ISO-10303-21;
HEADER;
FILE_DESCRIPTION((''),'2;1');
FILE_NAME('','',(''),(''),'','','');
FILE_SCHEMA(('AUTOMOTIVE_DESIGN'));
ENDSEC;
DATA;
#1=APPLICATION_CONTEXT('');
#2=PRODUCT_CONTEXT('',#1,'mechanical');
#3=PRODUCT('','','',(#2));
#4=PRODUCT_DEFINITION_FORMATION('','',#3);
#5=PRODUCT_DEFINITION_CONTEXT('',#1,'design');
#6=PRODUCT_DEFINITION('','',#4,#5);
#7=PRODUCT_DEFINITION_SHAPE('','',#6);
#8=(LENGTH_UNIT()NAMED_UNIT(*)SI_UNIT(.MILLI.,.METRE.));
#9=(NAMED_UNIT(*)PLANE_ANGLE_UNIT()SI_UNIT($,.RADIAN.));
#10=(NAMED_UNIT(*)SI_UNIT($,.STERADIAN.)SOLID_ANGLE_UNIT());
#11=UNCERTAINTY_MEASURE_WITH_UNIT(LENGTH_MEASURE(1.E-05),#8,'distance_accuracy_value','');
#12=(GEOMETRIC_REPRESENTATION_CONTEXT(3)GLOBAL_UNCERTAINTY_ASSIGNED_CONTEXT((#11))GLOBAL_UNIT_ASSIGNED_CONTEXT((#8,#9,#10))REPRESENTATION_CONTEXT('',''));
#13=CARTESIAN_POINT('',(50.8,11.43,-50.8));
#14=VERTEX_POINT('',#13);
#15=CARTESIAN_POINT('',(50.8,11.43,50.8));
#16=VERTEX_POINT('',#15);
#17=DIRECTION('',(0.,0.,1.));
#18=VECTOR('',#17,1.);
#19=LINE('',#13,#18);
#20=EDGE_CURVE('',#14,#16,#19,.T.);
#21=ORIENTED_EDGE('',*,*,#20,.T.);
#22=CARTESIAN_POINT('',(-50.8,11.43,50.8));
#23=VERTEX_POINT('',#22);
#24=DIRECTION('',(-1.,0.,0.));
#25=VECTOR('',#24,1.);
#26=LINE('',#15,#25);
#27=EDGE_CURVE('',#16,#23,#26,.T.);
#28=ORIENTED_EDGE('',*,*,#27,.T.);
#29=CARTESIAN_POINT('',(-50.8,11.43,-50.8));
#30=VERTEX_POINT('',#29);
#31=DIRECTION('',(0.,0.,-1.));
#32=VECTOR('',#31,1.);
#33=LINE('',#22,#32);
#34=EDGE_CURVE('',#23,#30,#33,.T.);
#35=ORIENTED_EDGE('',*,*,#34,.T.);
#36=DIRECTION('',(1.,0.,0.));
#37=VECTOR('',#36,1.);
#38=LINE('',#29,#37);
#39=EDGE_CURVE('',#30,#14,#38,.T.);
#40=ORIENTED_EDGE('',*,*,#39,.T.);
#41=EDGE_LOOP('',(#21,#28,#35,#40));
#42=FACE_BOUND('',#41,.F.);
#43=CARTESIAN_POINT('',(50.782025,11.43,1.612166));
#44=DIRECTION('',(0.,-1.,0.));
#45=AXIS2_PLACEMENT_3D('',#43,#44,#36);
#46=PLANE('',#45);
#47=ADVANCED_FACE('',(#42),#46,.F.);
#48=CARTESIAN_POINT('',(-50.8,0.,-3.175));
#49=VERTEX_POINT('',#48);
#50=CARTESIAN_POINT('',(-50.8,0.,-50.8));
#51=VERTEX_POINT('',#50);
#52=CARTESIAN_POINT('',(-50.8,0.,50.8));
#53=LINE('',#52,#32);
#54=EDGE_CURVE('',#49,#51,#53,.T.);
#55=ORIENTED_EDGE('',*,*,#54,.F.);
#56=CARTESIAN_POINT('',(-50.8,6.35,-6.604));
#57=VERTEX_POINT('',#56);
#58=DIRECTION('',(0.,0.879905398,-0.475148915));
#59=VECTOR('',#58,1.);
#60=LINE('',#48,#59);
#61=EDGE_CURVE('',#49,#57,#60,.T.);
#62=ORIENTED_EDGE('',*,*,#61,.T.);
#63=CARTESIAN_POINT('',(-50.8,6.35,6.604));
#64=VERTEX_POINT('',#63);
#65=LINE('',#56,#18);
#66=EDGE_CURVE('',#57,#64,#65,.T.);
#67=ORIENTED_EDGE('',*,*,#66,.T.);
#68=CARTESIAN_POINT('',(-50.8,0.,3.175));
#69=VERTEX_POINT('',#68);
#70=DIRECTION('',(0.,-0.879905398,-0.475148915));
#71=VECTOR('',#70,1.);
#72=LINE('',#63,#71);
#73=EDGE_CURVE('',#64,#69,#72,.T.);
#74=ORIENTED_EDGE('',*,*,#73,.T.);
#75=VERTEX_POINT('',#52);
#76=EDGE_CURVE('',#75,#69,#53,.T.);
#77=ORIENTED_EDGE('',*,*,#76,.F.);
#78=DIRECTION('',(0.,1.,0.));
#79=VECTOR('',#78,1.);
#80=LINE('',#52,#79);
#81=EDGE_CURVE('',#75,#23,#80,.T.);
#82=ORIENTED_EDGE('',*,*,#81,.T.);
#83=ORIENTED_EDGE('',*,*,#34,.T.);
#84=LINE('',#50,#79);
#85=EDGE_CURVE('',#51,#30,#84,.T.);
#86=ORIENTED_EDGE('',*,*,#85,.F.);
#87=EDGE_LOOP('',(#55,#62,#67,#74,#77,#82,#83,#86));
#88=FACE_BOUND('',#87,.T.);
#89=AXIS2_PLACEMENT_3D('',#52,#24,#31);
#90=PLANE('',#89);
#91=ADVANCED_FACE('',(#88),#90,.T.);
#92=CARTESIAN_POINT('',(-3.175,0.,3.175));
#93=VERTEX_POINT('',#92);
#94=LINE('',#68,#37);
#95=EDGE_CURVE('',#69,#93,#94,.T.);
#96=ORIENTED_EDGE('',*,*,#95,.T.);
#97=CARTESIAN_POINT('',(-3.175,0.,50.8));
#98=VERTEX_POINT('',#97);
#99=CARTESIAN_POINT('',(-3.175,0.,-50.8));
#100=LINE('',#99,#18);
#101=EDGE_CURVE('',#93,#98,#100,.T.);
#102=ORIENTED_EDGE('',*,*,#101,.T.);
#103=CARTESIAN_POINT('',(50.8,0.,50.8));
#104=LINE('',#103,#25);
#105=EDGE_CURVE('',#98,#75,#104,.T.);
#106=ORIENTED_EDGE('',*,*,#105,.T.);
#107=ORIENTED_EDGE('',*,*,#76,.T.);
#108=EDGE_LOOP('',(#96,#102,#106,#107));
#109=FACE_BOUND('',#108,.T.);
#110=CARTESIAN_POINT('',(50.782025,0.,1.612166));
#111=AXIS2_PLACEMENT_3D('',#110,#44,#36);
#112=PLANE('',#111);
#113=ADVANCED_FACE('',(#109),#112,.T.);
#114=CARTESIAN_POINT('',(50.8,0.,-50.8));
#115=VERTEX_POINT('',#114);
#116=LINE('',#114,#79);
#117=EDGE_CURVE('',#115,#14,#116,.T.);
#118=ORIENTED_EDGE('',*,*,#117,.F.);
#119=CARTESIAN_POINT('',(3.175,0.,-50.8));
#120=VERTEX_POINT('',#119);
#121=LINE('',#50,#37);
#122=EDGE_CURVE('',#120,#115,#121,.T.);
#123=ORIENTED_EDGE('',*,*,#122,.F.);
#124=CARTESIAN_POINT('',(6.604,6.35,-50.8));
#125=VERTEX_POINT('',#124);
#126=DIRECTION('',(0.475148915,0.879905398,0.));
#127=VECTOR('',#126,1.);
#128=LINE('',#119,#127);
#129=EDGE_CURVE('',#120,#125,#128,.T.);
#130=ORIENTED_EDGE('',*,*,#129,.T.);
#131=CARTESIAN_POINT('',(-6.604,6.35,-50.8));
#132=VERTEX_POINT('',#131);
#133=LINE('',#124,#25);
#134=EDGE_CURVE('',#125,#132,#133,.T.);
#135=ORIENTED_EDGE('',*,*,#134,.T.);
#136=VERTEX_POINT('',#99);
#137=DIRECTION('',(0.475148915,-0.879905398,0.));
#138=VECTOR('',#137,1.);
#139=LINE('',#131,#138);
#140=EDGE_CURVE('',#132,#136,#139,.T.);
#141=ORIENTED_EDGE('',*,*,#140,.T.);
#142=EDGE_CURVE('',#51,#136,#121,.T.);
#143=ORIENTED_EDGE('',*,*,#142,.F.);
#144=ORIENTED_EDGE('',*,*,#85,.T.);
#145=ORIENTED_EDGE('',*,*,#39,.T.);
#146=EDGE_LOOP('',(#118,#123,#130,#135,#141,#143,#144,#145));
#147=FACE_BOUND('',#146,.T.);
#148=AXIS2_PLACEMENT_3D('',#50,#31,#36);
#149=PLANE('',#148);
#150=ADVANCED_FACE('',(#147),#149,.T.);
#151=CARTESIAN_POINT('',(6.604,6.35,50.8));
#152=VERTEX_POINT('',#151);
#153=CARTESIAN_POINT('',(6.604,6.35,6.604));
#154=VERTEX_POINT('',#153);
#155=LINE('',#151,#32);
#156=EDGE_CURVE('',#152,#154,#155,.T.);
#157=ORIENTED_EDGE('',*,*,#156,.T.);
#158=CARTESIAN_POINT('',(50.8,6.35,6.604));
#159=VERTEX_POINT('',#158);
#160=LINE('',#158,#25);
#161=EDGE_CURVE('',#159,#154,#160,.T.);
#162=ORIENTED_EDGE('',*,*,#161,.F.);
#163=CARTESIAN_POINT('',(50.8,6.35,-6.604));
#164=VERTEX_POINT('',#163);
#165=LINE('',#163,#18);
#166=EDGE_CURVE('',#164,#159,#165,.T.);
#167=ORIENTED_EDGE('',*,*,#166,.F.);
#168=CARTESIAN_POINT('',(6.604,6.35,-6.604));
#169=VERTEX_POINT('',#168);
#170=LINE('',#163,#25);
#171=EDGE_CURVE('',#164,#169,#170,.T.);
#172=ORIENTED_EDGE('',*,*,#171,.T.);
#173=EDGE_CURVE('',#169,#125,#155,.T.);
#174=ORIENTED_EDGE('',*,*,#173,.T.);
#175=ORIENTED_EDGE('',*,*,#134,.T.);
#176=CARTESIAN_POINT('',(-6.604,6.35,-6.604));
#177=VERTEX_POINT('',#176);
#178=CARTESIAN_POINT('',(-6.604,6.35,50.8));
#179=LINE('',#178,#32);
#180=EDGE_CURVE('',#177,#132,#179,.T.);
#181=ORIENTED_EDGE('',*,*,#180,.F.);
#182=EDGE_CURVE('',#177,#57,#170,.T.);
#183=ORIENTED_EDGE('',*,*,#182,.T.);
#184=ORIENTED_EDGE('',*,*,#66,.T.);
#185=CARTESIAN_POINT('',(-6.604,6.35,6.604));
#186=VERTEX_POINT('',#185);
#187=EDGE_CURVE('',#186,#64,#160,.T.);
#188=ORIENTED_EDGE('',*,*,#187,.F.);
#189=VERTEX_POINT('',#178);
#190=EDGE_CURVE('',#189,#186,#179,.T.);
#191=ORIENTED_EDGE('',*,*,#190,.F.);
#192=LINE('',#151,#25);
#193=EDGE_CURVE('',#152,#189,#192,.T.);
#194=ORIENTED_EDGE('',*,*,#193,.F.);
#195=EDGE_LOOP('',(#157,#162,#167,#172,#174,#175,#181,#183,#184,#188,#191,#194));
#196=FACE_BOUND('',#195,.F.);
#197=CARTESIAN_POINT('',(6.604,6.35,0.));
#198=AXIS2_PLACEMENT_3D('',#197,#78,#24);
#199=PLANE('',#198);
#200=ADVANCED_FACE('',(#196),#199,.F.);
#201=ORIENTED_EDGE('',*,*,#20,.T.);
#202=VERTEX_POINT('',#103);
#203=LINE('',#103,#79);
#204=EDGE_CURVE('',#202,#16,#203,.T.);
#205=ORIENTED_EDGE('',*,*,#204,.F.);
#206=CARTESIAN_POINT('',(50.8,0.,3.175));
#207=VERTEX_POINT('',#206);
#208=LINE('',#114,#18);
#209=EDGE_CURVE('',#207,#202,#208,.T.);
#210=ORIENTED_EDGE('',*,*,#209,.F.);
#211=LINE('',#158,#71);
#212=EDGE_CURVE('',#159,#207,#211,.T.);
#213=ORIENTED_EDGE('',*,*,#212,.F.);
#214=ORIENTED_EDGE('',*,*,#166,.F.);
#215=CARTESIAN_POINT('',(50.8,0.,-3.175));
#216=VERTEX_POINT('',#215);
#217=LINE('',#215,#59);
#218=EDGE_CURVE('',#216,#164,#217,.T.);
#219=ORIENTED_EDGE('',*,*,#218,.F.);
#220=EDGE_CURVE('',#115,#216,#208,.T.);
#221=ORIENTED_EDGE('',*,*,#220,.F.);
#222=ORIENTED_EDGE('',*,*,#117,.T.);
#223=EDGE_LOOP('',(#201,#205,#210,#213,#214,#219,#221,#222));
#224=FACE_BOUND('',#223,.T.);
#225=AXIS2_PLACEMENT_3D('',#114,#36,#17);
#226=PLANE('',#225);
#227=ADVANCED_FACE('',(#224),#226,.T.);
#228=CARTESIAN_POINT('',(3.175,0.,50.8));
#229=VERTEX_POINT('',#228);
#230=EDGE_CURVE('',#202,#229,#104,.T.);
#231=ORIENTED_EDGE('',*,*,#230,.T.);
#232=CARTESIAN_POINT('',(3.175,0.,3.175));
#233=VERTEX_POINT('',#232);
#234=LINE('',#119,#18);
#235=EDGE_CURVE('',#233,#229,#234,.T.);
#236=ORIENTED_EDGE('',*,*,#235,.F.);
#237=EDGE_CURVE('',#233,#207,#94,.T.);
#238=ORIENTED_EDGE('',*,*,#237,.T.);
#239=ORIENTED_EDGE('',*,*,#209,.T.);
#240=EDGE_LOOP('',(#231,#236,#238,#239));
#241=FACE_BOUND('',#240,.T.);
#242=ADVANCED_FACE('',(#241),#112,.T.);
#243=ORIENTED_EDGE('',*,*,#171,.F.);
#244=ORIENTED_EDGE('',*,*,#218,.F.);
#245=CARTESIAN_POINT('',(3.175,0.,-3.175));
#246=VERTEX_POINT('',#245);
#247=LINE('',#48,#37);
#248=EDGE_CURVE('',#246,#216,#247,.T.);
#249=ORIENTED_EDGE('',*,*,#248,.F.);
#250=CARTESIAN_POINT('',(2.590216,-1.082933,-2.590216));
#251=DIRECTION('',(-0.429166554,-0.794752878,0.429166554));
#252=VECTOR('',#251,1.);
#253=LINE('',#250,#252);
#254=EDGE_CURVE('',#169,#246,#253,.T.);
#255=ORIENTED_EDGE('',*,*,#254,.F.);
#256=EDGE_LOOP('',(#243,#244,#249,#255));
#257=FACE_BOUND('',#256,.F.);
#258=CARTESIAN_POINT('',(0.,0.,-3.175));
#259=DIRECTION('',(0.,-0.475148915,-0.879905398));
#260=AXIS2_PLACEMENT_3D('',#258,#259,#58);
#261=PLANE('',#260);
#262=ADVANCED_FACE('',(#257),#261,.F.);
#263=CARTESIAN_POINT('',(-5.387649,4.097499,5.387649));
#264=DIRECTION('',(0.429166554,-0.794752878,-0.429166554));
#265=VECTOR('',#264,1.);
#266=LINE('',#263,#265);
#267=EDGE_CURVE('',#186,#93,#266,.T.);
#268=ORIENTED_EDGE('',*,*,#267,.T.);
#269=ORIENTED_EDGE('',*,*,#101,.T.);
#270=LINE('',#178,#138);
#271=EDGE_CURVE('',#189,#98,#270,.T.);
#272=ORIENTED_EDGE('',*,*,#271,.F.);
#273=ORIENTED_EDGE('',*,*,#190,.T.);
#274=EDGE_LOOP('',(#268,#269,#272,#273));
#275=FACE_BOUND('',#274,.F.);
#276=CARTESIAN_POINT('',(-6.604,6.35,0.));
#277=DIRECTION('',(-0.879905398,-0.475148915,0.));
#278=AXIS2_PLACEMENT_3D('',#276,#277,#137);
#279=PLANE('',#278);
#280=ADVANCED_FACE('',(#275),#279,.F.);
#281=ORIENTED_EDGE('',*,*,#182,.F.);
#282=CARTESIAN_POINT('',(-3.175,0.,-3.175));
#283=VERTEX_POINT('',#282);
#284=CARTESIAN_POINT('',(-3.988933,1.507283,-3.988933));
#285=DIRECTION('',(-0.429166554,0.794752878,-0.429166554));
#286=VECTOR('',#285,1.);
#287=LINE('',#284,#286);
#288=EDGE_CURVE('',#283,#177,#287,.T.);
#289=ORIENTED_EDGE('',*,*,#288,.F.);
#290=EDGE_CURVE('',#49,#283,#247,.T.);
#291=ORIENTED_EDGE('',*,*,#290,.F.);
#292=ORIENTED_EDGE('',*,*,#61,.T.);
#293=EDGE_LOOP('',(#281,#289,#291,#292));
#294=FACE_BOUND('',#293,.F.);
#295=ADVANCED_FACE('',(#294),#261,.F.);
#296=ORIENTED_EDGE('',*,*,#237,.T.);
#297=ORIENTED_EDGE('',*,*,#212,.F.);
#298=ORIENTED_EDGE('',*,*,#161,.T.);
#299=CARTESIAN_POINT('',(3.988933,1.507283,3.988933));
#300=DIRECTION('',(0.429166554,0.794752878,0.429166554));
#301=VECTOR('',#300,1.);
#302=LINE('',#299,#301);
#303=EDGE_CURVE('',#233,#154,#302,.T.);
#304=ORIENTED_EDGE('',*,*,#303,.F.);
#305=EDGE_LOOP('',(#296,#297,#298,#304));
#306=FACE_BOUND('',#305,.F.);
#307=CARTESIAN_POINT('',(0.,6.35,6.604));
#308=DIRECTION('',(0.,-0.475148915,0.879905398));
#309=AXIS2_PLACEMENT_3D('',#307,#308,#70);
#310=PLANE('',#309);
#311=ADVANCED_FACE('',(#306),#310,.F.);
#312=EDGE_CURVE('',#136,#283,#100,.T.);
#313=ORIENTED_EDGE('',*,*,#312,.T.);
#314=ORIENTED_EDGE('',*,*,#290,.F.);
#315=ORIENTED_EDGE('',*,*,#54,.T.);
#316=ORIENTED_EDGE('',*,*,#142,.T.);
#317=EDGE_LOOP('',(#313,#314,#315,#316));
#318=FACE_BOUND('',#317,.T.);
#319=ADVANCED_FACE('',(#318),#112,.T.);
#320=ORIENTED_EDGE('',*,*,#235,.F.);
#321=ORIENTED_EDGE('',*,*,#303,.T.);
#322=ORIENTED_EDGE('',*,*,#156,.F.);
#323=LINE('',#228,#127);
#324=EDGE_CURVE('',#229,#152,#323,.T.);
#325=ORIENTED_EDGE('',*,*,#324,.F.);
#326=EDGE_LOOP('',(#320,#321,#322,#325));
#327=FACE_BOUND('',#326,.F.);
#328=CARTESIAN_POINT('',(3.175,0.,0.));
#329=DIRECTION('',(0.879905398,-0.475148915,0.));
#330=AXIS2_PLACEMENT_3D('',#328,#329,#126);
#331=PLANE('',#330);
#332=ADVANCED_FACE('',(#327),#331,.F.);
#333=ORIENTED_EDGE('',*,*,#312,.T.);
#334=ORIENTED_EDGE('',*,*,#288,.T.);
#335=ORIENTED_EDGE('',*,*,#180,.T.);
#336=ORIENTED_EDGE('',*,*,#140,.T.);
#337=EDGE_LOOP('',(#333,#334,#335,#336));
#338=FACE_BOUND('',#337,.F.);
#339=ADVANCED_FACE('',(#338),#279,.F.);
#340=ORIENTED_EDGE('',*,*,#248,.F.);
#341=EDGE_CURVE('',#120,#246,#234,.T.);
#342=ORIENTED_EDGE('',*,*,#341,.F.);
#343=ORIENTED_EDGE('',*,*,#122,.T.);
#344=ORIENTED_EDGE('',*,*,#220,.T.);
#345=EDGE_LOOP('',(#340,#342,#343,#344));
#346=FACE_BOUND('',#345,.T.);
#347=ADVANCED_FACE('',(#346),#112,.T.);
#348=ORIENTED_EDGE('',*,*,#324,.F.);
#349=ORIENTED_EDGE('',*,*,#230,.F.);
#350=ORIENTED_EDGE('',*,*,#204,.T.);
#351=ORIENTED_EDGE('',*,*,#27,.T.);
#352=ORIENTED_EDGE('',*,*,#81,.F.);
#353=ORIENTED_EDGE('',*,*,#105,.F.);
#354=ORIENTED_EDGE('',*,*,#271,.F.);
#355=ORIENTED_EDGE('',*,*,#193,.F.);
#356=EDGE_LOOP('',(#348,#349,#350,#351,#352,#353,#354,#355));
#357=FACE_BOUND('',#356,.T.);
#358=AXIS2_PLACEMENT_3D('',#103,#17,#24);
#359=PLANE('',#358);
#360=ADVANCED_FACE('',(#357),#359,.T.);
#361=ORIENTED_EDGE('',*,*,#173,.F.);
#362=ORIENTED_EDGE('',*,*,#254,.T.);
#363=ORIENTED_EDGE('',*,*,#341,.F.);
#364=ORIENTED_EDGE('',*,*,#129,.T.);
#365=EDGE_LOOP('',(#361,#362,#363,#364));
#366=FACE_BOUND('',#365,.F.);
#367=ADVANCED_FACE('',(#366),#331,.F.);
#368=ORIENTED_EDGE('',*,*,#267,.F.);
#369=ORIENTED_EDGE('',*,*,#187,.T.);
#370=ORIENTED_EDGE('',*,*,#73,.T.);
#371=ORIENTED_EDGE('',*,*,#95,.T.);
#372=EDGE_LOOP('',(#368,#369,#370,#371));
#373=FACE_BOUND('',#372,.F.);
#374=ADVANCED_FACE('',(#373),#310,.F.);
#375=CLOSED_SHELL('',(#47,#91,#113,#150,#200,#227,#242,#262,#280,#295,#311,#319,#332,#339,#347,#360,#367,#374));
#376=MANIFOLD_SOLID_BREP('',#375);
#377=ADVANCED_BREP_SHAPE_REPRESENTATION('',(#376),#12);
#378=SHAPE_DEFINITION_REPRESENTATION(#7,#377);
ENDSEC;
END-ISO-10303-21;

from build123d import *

# Parameters (mm, degrees)
F0_W     = 6.35
F0_H     = 6.35
F3_DEPTH = 11.43
F4_DEPTH = 50.8
F5_DEPTH = 50.8


with BuildPart() as f3:
    # F0 (on Front) → F3 (new body)
    with BuildSketch(Plane.XZ):
        with BuildLine():
            ThreePointArc((50.700684167, 3.175), (50.7751649711, 1.5882764743), (50.8, 0))
            Line((50.8, 0), (50.8, 3.175))
            Line((50.8, 3.175), (50.700684167, 3.175))
        make_face()
        with BuildLine():
            ThreePointArc((-1.86e-08, 50.8), (1.588276465, 50.7751649714), (3.175, 50.700684167))
            Line((3.175, 50.700684167), (3.175, 50.8))
            Line((3.175, 50.8), (-1.86e-08, 50.8))
        make_face()
        with BuildLine():
            ThreePointArc((-3.175, 50.700684167), (-1.5882764835, 50.7751649708), (-1.86e-08, 50.8))
            Line((-1.86e-08, 50.8), (-3.175, 50.8))
            Line((-3.175, 50.8), (-3.175, 50.700684167))
        make_face()
        with BuildLine():
            ThreePointArc((-50.8, -4.94e-08), (-50.7751649719, 1.5882764495), (-50.700684167, 3.175))
            Line((-50.700684167, 3.175), (-50.8, 3.175))
            Line((-50.8, 3.175), (-50.8, -4.94e-08))
        make_face()
        with BuildLine():
            Line((-50.8, -3.175), (-50.700684167, -3.175))
            ThreePointArc((-50.700684167, -3.175), (-50.7751649703, -1.588276499), (-50.8, -4.94e-08))
            Line((-50.8, -4.94e-08), (-50.8, -3.175))
        make_face()
        with BuildLine():
            Line((-3.175, -50.8), (-5.98e-08, -50.8))
            ThreePointArc((-5.98e-08, -50.8), (-1.5882765041, -50.7751649702), (-3.175, -50.700684167))
            Line((-3.175, -50.700684167), (-3.175, -50.8))
        make_face()
        with BuildLine():
            Line((3.175, -50.8), (3.175, -50.700684167))
            ThreePointArc((3.175, -50.700684167), (1.5882764444, -50.775164972), (-5.98e-08, -50.8))
            Line((-5.98e-08, -50.8), (3.175, -50.8))
        make_face()
        with BuildLine():
            Line((50.8, -3.175), (50.8, 0))
            ThreePointArc((50.8, 0), (50.7751649711, -1.5882764743), (50.700684167, -3.175))
            Line((50.700684167, -3.175), (50.8, -3.175))
        make_face()
        with BuildLine():
            ThreePointArc((3.175, 50.700684167), (35.9210244843, 35.9210244843), (50.700684167, 3.175))
            Line((50.700684167, 3.175), (50.8, 3.175))
            Line((50.8, 3.175), (50.8, 50.8))
            Line((50.8, 50.8), (3.175, 50.8))
            Line((3.175, 50.8), (3.175, 50.700684167))
        make_face()
        with BuildLine():
            ThreePointArc((-50.700684167, 3.175), (-35.9210244843, 35.9210244843), (-3.175, 50.700684167))
            Line((-3.175, 50.700684167), (-3.175, 50.8))
            Line((-3.175, 50.8), (-50.8, 50.8))
            Line((-50.8, 50.8), (-50.8, 3.175))
            Line((-50.8, 3.175), (-50.700684167, 3.175))
        make_face()
        with BuildLine():
            Line((-3.175, -50.8), (-3.175, -50.700684167))
            ThreePointArc((-3.175, -50.700684167), (-35.9210244843, -35.9210244843), (-50.700684167, -3.175))
            Line((-50.700684167, -3.175), (-50.8, -3.175))
            Line((-50.8, -3.175), (-50.8, -50.8))
            Line((-50.8, -50.8), (-3.175, -50.8))
        make_face()
        with BuildLine():
            Line((50.8, -3.175), (50.700684167, -3.175))
            ThreePointArc((50.700684167, -3.175), (35.9210244843, -35.9210244843), (3.175, -50.700684167))
            Line((3.175, -50.700684167), (3.175, -50.8))
            Line((3.175, -50.8), (50.8, -50.8))
            Line((50.8, -50.8), (50.8, -3.175))
        make_face()
        with BuildLine():
            ThreePointArc((50.700684167, -3.175), (50.7751649711, -1.5882764743), (50.8, 0))
            ThreePointArc((50.8, 0), (50.7751649711, 1.5882764743), (50.700684167, 3.175))
            Line((50.700684167, 3.175), (3.175, 3.175))
            Line((3.175, 3.175), (3.175, -3.175))
            Line((3.175, -3.175), (50.700684167, -3.175))
        make_face()
        with BuildLine():
            Line((3.175, 3.175), (3.175, 50.700684167))
            ThreePointArc((3.175, 50.700684167), (1.588276465, 50.7751649714), (-1.86e-08, 50.8))
            ThreePointArc((-1.86e-08, 50.8), (-1.5882764835, 50.7751649708), (-3.175, 50.700684167))
            Line((-3.175, 50.700684167), (-3.175, 3.175))
            Line((-3.175, 3.175), (3.175, 3.175))
        make_face()
        with BuildLine():
            Line((-3.175, -3.175), (-3.175, 3.175))
            Line((-3.175, 3.175), (-50.700684167, 3.175))
            ThreePointArc((-50.700684167, 3.175), (-50.7751649719, 1.5882764495), (-50.8, -4.94e-08))
            ThreePointArc((-50.8, -4.94e-08), (-50.7751649703, -1.588276499), (-50.700684167, -3.175))
            Line((-50.700684167, -3.175), (-3.175, -3.175))
        make_face()
        with BuildLine():
            ThreePointArc((-5.98e-08, -50.8), (1.5882764444, -50.775164972), (3.175, -50.700684167))
            Line((3.175, -50.700684167), (3.175, -3.175))
            Line((3.175, -3.175), (-3.175, -3.175))
            Line((-3.175, -3.175), (-3.175, -50.700684167))
            ThreePointArc((-3.175, -50.700684167), (-1.5882765041, -50.7751649702), (-5.98e-08, -50.8))
        make_face()
        with BuildLine():
            Line((3.175, 3.175), (50.700684167, 3.175))
            ThreePointArc((50.700684167, 3.175), (35.9210244843, 35.9210244843), (3.175, 50.700684167))
            Line((3.175, 50.700684167), (3.175, 3.175))
        make_face()
        with BuildLine():
            Line((-50.700684167, 3.175), (-3.175, 3.175))
            Line((-3.175, 3.175), (-3.175, 50.700684167))
            ThreePointArc((-3.175, 50.700684167), (-35.9210244843, 35.9210244843), (-50.700684167, 3.175))
        make_face()
        with BuildLine():
            ThreePointArc((3.175, -50.700684167), (35.9210244843, -35.9210244843), (50.700684167, -3.175))
            Line((50.700684167, -3.175), (3.175, -3.175))
            Line((3.175, -3.175), (3.175, -50.700684167))
        make_face()
        with BuildLine():
            Line((-3.175, -50.700684167), (-3.175, -3.175))
            Line((-3.175, -3.175), (-50.700684167, -3.175))
            ThreePointArc((-50.700684167, -3.175), (-35.9210244843, -35.9210244843), (-3.175, -50.700684167))
        make_face()
        Rectangle(F0_W, F0_H)
    extrude(amount=-F3_DEPTH)

    # F1 (on Right) → F4 (cut, symmetric)
    with BuildSketch(Plane.YZ):
        Polygon((6.35, 6.604), (0, 3.175), (0, -3.175), (6.35, -6.604), (6.35, 0), align=None)
    extrude(amount=F4_DEPTH, both=True, mode=Mode.SUBTRACT)

    # F2 (on Top) → F5 (cut, symmetric)
    with BuildSketch(Plane.XY):
        Polygon((-6.604, 6.35), (-3.175, 0), (3.175, 0), (6.604, 6.35), (0, 6.35), align=None)
    extrude(amount=F5_DEPTH, both=True, mode=Mode.SUBTRACT)


solid = f3.part
